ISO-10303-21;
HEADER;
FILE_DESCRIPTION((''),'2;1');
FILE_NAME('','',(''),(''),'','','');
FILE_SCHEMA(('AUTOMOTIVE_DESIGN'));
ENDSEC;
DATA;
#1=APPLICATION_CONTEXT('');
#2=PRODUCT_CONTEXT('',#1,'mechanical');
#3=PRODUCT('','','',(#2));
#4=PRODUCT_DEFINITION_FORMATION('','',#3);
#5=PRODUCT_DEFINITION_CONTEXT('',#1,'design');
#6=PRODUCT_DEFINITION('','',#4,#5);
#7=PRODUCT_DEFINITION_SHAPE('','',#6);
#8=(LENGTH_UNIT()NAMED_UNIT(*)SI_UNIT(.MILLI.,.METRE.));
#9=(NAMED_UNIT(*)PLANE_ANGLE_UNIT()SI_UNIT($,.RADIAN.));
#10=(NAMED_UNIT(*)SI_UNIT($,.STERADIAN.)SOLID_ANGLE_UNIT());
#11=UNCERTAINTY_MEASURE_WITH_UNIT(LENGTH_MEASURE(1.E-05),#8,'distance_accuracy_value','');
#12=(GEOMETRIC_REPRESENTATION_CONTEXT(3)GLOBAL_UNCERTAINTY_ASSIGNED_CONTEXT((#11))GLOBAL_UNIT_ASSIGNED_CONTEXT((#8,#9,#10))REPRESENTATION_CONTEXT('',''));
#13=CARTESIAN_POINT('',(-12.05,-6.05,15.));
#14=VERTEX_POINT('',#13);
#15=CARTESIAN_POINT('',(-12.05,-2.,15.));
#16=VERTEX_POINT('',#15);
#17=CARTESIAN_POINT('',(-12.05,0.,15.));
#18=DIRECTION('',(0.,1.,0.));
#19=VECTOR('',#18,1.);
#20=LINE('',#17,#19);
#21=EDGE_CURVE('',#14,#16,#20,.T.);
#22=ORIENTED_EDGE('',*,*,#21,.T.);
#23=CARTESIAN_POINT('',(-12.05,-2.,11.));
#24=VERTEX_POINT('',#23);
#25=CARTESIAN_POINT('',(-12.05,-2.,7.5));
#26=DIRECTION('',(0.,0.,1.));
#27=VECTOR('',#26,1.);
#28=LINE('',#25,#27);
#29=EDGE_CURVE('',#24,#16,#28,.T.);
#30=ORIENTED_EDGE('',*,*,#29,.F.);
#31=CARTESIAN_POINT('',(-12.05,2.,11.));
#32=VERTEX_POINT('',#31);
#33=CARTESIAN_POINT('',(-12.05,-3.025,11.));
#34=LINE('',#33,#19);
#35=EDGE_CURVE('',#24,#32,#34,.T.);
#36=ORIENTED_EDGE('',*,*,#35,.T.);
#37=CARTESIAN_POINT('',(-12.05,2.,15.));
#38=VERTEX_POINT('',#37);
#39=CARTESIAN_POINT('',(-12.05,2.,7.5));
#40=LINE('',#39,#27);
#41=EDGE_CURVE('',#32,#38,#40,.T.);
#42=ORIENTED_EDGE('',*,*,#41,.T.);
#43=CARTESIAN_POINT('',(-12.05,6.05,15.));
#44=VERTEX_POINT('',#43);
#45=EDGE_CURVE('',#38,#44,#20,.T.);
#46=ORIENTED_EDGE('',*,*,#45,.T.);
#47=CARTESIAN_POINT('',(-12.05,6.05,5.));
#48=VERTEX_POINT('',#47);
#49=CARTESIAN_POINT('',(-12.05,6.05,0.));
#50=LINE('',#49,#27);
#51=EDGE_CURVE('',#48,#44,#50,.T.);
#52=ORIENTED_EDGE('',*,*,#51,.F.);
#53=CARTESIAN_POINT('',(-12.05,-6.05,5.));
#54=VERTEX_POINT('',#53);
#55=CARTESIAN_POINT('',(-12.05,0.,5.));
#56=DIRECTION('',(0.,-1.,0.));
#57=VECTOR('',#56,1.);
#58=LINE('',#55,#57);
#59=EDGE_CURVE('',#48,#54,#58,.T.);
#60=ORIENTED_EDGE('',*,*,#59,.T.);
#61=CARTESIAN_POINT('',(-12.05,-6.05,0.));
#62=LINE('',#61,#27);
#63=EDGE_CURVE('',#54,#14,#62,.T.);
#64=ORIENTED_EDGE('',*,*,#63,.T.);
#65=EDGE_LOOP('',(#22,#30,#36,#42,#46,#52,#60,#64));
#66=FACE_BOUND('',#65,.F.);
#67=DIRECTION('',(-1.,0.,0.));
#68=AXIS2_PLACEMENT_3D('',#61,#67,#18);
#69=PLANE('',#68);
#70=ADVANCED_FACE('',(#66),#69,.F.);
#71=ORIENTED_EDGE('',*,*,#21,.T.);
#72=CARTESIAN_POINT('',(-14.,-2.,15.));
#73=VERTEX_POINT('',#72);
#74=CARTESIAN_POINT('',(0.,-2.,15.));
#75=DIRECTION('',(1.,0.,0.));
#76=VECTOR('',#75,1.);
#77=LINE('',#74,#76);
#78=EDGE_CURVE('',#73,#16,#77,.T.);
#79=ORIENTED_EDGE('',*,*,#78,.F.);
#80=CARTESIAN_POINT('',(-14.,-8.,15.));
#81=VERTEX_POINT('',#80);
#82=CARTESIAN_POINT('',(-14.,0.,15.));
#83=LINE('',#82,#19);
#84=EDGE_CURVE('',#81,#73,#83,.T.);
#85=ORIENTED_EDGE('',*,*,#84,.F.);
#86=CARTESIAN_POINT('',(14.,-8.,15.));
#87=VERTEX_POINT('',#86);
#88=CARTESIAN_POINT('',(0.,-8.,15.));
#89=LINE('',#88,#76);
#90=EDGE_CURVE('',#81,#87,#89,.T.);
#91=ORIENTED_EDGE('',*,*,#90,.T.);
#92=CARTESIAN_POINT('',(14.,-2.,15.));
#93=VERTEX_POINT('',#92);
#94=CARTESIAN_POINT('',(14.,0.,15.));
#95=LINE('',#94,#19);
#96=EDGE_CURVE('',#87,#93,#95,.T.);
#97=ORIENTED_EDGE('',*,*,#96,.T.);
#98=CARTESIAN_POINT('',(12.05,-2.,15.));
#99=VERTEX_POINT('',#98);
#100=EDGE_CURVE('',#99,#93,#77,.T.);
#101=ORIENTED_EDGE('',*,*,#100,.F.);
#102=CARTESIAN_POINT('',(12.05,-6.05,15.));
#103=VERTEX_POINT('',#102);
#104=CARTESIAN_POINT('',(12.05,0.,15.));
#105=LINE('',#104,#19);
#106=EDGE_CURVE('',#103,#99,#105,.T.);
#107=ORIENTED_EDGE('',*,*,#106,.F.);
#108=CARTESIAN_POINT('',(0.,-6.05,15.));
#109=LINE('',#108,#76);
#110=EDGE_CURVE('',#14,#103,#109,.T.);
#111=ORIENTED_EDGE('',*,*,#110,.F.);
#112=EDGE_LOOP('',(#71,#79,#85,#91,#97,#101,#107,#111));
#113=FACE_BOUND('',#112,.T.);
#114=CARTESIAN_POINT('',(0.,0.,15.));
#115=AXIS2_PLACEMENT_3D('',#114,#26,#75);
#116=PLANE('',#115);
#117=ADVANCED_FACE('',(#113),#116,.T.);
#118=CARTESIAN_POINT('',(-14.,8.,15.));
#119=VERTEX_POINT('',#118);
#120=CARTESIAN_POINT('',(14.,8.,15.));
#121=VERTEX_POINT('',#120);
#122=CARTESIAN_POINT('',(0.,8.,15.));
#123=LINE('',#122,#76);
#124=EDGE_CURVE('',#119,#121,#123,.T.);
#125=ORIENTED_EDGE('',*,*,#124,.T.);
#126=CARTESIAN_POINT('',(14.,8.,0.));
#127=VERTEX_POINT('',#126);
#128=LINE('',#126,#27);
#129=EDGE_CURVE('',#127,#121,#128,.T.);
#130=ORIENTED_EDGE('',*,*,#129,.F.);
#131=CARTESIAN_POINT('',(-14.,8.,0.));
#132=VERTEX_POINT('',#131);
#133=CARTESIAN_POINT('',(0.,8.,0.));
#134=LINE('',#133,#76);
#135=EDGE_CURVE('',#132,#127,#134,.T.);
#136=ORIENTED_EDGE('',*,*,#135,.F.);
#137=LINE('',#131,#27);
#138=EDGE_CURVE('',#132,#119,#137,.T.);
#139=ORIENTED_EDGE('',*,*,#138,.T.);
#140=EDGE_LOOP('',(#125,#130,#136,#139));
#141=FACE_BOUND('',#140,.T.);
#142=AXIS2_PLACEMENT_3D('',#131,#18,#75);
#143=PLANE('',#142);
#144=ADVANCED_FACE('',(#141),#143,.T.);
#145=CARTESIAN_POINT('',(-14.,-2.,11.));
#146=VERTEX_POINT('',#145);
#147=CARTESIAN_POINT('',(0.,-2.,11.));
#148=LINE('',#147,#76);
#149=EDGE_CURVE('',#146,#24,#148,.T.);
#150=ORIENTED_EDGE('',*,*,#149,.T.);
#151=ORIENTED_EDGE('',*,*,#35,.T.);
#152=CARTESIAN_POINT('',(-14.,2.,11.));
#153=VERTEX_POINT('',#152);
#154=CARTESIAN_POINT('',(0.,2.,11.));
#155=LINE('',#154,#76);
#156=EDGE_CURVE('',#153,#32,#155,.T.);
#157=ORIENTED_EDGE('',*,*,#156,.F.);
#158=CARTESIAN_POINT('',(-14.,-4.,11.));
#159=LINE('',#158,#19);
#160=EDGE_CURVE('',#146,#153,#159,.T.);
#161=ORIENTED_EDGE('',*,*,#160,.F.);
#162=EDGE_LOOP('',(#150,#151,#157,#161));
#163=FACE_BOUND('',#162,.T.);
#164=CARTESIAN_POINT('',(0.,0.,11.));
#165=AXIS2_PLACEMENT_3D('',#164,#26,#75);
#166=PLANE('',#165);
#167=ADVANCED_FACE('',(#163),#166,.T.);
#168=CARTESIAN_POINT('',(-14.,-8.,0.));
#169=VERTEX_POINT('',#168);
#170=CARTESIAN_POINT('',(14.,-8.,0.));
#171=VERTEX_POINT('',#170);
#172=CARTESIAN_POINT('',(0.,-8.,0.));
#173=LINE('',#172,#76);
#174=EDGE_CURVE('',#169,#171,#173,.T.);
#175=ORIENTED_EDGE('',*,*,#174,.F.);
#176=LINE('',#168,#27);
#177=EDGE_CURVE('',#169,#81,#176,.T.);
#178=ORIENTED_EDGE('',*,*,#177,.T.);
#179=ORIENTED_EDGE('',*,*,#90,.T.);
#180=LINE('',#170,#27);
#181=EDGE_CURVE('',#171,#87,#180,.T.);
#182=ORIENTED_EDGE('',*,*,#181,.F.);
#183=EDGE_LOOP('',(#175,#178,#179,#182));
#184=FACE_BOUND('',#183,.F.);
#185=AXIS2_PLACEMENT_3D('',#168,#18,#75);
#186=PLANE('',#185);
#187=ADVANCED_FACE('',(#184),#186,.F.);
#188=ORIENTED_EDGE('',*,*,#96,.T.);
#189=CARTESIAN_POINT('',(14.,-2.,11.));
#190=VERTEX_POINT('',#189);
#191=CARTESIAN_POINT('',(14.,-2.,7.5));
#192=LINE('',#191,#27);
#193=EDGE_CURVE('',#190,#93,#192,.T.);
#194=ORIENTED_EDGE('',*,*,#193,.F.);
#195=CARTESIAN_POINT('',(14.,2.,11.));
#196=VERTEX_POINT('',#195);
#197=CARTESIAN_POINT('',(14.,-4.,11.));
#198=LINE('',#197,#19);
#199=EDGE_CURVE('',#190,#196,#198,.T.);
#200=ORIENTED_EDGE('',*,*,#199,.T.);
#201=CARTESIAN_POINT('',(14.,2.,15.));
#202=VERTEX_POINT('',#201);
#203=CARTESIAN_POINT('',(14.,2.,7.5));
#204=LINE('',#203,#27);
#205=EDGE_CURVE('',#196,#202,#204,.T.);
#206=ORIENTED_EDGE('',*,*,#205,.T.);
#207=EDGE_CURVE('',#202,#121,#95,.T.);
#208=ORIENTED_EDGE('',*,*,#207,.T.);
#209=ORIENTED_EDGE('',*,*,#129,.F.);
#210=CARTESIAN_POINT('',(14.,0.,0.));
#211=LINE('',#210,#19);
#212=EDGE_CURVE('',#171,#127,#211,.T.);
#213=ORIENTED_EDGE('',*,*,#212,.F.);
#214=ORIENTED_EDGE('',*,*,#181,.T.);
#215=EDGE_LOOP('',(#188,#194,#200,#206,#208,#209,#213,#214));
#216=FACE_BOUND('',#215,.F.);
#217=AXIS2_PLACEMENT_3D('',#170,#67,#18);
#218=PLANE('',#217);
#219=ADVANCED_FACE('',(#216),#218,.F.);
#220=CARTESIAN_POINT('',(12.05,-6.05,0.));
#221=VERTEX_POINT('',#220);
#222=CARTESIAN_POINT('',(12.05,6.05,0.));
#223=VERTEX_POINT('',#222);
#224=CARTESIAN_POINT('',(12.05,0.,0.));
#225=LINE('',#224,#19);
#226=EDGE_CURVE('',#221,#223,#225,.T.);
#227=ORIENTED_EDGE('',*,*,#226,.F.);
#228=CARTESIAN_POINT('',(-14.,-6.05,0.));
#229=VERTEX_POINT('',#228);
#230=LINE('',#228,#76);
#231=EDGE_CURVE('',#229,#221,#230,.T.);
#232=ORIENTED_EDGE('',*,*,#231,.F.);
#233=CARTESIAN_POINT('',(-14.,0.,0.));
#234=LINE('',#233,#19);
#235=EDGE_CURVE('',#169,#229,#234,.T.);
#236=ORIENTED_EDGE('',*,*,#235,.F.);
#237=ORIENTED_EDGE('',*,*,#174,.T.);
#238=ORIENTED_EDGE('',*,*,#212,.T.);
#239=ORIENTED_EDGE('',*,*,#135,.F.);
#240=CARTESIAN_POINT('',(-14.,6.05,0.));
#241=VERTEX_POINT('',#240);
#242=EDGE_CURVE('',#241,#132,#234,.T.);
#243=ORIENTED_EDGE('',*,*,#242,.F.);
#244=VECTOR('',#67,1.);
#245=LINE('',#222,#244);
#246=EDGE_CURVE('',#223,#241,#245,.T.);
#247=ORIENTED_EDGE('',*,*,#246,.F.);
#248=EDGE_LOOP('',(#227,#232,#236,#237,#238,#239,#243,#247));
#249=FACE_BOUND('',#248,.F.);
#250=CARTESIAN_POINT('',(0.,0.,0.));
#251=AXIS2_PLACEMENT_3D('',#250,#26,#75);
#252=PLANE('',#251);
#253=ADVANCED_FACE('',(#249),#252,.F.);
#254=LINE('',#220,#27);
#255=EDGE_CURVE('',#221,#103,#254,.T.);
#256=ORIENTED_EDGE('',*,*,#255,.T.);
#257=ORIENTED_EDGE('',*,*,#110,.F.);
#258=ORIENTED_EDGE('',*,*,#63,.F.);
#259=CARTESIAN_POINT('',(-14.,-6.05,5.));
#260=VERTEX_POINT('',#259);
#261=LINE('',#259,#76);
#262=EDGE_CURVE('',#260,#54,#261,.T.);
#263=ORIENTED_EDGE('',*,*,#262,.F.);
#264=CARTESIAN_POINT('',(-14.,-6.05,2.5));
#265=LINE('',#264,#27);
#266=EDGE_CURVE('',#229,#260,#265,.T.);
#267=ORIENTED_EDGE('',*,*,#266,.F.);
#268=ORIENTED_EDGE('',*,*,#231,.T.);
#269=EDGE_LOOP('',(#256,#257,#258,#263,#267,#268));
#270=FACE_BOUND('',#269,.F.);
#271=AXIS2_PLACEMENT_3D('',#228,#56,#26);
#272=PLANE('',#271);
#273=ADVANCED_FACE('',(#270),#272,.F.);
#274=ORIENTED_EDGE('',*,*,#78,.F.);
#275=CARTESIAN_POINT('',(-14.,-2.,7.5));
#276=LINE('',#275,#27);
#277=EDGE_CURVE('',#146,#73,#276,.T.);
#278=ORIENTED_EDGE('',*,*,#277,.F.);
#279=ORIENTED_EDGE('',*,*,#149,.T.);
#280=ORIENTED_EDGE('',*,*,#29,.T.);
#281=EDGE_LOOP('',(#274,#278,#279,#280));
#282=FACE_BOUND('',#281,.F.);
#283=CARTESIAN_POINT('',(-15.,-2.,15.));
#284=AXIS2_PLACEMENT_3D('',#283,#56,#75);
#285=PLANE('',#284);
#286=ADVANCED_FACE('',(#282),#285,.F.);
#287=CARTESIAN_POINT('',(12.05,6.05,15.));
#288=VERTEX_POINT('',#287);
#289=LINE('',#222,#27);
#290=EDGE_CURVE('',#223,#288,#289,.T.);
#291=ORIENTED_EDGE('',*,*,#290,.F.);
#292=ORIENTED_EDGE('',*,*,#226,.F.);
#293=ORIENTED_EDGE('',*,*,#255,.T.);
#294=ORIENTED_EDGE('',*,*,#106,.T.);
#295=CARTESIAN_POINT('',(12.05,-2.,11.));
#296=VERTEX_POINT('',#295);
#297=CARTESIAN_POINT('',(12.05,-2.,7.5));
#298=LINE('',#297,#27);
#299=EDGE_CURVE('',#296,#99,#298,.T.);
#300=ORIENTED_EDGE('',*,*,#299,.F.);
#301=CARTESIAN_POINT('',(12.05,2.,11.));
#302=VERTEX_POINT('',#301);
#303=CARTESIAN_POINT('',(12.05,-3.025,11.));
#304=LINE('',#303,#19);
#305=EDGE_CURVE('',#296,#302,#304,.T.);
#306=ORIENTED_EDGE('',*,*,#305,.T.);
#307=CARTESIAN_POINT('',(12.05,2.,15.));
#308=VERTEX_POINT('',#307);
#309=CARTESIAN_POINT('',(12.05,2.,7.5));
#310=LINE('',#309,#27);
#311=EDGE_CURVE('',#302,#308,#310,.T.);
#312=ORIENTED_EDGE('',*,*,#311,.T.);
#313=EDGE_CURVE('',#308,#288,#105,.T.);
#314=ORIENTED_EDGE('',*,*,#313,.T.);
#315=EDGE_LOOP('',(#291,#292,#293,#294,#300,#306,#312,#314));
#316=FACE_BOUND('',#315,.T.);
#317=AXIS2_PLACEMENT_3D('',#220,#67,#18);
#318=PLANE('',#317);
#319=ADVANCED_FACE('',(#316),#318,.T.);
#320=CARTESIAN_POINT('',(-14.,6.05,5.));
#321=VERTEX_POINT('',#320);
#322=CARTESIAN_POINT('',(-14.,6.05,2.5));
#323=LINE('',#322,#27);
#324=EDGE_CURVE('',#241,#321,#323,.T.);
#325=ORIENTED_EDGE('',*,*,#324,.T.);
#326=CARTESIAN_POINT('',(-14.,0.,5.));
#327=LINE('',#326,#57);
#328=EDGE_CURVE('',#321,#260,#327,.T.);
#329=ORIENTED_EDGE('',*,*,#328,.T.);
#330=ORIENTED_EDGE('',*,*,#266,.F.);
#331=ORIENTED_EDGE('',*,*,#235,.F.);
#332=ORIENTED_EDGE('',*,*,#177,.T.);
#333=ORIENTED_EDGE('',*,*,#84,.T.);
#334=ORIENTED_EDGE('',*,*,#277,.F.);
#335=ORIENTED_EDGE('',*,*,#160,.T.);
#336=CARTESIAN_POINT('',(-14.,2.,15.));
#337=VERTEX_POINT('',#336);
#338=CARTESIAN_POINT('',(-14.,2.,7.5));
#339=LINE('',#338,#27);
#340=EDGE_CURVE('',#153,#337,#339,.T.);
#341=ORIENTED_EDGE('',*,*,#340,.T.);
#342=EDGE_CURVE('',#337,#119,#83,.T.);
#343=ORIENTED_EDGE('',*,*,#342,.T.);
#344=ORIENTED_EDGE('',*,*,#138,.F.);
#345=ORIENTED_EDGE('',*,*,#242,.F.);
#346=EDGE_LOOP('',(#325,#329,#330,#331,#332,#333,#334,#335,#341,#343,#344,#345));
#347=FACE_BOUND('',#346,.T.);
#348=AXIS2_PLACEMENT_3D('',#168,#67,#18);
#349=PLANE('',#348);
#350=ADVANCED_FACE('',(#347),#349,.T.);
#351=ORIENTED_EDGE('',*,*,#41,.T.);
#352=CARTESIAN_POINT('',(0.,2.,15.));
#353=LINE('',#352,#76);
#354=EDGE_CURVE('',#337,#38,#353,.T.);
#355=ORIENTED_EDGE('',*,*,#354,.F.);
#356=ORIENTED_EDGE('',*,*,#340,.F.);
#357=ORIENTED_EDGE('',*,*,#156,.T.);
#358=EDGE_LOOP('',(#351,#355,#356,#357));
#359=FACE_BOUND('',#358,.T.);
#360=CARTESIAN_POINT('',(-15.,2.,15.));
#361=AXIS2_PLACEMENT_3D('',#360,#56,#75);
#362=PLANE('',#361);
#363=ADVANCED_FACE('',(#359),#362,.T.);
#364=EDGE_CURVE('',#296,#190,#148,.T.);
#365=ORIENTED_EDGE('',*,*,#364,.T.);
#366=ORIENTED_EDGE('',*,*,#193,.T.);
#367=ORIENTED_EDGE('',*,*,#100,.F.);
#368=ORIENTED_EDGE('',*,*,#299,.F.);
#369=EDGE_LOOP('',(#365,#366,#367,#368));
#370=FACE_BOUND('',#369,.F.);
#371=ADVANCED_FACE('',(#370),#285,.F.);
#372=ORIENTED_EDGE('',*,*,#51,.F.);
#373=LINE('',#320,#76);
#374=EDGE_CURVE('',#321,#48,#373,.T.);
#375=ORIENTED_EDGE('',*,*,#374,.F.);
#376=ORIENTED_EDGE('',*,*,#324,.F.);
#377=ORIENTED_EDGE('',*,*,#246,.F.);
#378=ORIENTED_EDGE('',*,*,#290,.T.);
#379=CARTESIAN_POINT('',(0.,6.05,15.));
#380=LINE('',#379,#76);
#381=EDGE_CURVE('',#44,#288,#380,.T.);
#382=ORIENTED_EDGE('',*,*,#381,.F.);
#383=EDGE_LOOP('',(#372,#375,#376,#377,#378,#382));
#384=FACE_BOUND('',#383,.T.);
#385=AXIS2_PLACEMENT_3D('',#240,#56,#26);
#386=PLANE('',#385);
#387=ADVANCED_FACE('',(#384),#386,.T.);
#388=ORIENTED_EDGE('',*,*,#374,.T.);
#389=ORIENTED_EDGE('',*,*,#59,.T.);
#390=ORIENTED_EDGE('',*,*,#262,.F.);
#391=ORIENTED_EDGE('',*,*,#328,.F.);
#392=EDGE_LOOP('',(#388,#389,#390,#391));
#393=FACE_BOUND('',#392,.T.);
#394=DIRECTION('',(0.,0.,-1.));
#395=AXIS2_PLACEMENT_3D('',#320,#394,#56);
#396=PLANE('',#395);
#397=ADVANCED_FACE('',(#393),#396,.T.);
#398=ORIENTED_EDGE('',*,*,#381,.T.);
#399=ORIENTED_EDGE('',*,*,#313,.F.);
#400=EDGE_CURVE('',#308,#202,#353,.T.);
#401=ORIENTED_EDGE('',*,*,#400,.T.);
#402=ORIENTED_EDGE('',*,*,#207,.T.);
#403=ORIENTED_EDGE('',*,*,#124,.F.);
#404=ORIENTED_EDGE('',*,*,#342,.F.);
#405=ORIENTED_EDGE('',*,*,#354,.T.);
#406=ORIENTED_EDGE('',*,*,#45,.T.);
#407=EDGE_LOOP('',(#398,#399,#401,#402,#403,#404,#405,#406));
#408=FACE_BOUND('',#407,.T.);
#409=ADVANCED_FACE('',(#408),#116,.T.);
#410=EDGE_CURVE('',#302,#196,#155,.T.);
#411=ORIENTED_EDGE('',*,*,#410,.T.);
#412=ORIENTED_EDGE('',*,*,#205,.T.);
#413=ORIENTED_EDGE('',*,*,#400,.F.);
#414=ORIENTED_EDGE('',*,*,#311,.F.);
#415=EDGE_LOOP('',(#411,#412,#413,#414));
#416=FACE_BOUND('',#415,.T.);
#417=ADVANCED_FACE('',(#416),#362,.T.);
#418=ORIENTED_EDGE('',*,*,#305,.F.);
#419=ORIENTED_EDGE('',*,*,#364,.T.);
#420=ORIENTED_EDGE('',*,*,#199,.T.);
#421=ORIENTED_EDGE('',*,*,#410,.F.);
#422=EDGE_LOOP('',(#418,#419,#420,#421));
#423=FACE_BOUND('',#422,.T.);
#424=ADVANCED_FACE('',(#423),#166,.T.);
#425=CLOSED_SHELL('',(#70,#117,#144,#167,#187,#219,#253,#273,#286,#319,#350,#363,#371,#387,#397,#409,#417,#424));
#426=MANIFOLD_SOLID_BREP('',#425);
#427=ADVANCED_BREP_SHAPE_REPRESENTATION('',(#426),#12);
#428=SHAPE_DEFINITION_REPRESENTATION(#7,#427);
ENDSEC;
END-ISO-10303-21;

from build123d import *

# Parameters (mm, degrees)
SKETCH013_W     = 28
SKETCH013_H     = 16
SKETCH013_W_2   = 24.1
SKETCH013_H_2   = 12.1
PAD004_DEPTH    = 15
SKETCH014_W     = 30
SKETCH014_H     = 4
POCKET010_DEPTH = 4
SKETCH015_W     = 12.1
SKETCH015_H     = 5
POCKET011_DEPTH = 5


with BuildPart() as part:
    # Sketch013 → Pad004 (new body)
    with BuildSketch(Plane.XY):
        Rectangle(SKETCH013_W, SKETCH013_H)
        Rectangle(SKETCH013_W_2, SKETCH013_H_2, mode=Mode.SUBTRACT)
    extrude(amount=PAD004_DEPTH)

    # Sketch014 → Pocket010 (cut)
    with BuildSketch(Plane.XY.offset(15)):
        Rectangle(SKETCH014_W, SKETCH014_H)
    extrude(amount=-POCKET010_DEPTH, mode=Mode.SUBTRACT)

    # Sketch015 → Pocket011 (cut)
    with BuildSketch(Plane(origin=(-14, 0, 0), x_dir=(0, -1, 0), z_dir=(-1, 0, 0))):
        with Locations((0, 2.5)):
            Rectangle(SKETCH015_W, SKETCH015_H)
    extrude(amount=-POCKET011_DEPTH, mode=Mode.SUBTRACT)


solid = part.part
